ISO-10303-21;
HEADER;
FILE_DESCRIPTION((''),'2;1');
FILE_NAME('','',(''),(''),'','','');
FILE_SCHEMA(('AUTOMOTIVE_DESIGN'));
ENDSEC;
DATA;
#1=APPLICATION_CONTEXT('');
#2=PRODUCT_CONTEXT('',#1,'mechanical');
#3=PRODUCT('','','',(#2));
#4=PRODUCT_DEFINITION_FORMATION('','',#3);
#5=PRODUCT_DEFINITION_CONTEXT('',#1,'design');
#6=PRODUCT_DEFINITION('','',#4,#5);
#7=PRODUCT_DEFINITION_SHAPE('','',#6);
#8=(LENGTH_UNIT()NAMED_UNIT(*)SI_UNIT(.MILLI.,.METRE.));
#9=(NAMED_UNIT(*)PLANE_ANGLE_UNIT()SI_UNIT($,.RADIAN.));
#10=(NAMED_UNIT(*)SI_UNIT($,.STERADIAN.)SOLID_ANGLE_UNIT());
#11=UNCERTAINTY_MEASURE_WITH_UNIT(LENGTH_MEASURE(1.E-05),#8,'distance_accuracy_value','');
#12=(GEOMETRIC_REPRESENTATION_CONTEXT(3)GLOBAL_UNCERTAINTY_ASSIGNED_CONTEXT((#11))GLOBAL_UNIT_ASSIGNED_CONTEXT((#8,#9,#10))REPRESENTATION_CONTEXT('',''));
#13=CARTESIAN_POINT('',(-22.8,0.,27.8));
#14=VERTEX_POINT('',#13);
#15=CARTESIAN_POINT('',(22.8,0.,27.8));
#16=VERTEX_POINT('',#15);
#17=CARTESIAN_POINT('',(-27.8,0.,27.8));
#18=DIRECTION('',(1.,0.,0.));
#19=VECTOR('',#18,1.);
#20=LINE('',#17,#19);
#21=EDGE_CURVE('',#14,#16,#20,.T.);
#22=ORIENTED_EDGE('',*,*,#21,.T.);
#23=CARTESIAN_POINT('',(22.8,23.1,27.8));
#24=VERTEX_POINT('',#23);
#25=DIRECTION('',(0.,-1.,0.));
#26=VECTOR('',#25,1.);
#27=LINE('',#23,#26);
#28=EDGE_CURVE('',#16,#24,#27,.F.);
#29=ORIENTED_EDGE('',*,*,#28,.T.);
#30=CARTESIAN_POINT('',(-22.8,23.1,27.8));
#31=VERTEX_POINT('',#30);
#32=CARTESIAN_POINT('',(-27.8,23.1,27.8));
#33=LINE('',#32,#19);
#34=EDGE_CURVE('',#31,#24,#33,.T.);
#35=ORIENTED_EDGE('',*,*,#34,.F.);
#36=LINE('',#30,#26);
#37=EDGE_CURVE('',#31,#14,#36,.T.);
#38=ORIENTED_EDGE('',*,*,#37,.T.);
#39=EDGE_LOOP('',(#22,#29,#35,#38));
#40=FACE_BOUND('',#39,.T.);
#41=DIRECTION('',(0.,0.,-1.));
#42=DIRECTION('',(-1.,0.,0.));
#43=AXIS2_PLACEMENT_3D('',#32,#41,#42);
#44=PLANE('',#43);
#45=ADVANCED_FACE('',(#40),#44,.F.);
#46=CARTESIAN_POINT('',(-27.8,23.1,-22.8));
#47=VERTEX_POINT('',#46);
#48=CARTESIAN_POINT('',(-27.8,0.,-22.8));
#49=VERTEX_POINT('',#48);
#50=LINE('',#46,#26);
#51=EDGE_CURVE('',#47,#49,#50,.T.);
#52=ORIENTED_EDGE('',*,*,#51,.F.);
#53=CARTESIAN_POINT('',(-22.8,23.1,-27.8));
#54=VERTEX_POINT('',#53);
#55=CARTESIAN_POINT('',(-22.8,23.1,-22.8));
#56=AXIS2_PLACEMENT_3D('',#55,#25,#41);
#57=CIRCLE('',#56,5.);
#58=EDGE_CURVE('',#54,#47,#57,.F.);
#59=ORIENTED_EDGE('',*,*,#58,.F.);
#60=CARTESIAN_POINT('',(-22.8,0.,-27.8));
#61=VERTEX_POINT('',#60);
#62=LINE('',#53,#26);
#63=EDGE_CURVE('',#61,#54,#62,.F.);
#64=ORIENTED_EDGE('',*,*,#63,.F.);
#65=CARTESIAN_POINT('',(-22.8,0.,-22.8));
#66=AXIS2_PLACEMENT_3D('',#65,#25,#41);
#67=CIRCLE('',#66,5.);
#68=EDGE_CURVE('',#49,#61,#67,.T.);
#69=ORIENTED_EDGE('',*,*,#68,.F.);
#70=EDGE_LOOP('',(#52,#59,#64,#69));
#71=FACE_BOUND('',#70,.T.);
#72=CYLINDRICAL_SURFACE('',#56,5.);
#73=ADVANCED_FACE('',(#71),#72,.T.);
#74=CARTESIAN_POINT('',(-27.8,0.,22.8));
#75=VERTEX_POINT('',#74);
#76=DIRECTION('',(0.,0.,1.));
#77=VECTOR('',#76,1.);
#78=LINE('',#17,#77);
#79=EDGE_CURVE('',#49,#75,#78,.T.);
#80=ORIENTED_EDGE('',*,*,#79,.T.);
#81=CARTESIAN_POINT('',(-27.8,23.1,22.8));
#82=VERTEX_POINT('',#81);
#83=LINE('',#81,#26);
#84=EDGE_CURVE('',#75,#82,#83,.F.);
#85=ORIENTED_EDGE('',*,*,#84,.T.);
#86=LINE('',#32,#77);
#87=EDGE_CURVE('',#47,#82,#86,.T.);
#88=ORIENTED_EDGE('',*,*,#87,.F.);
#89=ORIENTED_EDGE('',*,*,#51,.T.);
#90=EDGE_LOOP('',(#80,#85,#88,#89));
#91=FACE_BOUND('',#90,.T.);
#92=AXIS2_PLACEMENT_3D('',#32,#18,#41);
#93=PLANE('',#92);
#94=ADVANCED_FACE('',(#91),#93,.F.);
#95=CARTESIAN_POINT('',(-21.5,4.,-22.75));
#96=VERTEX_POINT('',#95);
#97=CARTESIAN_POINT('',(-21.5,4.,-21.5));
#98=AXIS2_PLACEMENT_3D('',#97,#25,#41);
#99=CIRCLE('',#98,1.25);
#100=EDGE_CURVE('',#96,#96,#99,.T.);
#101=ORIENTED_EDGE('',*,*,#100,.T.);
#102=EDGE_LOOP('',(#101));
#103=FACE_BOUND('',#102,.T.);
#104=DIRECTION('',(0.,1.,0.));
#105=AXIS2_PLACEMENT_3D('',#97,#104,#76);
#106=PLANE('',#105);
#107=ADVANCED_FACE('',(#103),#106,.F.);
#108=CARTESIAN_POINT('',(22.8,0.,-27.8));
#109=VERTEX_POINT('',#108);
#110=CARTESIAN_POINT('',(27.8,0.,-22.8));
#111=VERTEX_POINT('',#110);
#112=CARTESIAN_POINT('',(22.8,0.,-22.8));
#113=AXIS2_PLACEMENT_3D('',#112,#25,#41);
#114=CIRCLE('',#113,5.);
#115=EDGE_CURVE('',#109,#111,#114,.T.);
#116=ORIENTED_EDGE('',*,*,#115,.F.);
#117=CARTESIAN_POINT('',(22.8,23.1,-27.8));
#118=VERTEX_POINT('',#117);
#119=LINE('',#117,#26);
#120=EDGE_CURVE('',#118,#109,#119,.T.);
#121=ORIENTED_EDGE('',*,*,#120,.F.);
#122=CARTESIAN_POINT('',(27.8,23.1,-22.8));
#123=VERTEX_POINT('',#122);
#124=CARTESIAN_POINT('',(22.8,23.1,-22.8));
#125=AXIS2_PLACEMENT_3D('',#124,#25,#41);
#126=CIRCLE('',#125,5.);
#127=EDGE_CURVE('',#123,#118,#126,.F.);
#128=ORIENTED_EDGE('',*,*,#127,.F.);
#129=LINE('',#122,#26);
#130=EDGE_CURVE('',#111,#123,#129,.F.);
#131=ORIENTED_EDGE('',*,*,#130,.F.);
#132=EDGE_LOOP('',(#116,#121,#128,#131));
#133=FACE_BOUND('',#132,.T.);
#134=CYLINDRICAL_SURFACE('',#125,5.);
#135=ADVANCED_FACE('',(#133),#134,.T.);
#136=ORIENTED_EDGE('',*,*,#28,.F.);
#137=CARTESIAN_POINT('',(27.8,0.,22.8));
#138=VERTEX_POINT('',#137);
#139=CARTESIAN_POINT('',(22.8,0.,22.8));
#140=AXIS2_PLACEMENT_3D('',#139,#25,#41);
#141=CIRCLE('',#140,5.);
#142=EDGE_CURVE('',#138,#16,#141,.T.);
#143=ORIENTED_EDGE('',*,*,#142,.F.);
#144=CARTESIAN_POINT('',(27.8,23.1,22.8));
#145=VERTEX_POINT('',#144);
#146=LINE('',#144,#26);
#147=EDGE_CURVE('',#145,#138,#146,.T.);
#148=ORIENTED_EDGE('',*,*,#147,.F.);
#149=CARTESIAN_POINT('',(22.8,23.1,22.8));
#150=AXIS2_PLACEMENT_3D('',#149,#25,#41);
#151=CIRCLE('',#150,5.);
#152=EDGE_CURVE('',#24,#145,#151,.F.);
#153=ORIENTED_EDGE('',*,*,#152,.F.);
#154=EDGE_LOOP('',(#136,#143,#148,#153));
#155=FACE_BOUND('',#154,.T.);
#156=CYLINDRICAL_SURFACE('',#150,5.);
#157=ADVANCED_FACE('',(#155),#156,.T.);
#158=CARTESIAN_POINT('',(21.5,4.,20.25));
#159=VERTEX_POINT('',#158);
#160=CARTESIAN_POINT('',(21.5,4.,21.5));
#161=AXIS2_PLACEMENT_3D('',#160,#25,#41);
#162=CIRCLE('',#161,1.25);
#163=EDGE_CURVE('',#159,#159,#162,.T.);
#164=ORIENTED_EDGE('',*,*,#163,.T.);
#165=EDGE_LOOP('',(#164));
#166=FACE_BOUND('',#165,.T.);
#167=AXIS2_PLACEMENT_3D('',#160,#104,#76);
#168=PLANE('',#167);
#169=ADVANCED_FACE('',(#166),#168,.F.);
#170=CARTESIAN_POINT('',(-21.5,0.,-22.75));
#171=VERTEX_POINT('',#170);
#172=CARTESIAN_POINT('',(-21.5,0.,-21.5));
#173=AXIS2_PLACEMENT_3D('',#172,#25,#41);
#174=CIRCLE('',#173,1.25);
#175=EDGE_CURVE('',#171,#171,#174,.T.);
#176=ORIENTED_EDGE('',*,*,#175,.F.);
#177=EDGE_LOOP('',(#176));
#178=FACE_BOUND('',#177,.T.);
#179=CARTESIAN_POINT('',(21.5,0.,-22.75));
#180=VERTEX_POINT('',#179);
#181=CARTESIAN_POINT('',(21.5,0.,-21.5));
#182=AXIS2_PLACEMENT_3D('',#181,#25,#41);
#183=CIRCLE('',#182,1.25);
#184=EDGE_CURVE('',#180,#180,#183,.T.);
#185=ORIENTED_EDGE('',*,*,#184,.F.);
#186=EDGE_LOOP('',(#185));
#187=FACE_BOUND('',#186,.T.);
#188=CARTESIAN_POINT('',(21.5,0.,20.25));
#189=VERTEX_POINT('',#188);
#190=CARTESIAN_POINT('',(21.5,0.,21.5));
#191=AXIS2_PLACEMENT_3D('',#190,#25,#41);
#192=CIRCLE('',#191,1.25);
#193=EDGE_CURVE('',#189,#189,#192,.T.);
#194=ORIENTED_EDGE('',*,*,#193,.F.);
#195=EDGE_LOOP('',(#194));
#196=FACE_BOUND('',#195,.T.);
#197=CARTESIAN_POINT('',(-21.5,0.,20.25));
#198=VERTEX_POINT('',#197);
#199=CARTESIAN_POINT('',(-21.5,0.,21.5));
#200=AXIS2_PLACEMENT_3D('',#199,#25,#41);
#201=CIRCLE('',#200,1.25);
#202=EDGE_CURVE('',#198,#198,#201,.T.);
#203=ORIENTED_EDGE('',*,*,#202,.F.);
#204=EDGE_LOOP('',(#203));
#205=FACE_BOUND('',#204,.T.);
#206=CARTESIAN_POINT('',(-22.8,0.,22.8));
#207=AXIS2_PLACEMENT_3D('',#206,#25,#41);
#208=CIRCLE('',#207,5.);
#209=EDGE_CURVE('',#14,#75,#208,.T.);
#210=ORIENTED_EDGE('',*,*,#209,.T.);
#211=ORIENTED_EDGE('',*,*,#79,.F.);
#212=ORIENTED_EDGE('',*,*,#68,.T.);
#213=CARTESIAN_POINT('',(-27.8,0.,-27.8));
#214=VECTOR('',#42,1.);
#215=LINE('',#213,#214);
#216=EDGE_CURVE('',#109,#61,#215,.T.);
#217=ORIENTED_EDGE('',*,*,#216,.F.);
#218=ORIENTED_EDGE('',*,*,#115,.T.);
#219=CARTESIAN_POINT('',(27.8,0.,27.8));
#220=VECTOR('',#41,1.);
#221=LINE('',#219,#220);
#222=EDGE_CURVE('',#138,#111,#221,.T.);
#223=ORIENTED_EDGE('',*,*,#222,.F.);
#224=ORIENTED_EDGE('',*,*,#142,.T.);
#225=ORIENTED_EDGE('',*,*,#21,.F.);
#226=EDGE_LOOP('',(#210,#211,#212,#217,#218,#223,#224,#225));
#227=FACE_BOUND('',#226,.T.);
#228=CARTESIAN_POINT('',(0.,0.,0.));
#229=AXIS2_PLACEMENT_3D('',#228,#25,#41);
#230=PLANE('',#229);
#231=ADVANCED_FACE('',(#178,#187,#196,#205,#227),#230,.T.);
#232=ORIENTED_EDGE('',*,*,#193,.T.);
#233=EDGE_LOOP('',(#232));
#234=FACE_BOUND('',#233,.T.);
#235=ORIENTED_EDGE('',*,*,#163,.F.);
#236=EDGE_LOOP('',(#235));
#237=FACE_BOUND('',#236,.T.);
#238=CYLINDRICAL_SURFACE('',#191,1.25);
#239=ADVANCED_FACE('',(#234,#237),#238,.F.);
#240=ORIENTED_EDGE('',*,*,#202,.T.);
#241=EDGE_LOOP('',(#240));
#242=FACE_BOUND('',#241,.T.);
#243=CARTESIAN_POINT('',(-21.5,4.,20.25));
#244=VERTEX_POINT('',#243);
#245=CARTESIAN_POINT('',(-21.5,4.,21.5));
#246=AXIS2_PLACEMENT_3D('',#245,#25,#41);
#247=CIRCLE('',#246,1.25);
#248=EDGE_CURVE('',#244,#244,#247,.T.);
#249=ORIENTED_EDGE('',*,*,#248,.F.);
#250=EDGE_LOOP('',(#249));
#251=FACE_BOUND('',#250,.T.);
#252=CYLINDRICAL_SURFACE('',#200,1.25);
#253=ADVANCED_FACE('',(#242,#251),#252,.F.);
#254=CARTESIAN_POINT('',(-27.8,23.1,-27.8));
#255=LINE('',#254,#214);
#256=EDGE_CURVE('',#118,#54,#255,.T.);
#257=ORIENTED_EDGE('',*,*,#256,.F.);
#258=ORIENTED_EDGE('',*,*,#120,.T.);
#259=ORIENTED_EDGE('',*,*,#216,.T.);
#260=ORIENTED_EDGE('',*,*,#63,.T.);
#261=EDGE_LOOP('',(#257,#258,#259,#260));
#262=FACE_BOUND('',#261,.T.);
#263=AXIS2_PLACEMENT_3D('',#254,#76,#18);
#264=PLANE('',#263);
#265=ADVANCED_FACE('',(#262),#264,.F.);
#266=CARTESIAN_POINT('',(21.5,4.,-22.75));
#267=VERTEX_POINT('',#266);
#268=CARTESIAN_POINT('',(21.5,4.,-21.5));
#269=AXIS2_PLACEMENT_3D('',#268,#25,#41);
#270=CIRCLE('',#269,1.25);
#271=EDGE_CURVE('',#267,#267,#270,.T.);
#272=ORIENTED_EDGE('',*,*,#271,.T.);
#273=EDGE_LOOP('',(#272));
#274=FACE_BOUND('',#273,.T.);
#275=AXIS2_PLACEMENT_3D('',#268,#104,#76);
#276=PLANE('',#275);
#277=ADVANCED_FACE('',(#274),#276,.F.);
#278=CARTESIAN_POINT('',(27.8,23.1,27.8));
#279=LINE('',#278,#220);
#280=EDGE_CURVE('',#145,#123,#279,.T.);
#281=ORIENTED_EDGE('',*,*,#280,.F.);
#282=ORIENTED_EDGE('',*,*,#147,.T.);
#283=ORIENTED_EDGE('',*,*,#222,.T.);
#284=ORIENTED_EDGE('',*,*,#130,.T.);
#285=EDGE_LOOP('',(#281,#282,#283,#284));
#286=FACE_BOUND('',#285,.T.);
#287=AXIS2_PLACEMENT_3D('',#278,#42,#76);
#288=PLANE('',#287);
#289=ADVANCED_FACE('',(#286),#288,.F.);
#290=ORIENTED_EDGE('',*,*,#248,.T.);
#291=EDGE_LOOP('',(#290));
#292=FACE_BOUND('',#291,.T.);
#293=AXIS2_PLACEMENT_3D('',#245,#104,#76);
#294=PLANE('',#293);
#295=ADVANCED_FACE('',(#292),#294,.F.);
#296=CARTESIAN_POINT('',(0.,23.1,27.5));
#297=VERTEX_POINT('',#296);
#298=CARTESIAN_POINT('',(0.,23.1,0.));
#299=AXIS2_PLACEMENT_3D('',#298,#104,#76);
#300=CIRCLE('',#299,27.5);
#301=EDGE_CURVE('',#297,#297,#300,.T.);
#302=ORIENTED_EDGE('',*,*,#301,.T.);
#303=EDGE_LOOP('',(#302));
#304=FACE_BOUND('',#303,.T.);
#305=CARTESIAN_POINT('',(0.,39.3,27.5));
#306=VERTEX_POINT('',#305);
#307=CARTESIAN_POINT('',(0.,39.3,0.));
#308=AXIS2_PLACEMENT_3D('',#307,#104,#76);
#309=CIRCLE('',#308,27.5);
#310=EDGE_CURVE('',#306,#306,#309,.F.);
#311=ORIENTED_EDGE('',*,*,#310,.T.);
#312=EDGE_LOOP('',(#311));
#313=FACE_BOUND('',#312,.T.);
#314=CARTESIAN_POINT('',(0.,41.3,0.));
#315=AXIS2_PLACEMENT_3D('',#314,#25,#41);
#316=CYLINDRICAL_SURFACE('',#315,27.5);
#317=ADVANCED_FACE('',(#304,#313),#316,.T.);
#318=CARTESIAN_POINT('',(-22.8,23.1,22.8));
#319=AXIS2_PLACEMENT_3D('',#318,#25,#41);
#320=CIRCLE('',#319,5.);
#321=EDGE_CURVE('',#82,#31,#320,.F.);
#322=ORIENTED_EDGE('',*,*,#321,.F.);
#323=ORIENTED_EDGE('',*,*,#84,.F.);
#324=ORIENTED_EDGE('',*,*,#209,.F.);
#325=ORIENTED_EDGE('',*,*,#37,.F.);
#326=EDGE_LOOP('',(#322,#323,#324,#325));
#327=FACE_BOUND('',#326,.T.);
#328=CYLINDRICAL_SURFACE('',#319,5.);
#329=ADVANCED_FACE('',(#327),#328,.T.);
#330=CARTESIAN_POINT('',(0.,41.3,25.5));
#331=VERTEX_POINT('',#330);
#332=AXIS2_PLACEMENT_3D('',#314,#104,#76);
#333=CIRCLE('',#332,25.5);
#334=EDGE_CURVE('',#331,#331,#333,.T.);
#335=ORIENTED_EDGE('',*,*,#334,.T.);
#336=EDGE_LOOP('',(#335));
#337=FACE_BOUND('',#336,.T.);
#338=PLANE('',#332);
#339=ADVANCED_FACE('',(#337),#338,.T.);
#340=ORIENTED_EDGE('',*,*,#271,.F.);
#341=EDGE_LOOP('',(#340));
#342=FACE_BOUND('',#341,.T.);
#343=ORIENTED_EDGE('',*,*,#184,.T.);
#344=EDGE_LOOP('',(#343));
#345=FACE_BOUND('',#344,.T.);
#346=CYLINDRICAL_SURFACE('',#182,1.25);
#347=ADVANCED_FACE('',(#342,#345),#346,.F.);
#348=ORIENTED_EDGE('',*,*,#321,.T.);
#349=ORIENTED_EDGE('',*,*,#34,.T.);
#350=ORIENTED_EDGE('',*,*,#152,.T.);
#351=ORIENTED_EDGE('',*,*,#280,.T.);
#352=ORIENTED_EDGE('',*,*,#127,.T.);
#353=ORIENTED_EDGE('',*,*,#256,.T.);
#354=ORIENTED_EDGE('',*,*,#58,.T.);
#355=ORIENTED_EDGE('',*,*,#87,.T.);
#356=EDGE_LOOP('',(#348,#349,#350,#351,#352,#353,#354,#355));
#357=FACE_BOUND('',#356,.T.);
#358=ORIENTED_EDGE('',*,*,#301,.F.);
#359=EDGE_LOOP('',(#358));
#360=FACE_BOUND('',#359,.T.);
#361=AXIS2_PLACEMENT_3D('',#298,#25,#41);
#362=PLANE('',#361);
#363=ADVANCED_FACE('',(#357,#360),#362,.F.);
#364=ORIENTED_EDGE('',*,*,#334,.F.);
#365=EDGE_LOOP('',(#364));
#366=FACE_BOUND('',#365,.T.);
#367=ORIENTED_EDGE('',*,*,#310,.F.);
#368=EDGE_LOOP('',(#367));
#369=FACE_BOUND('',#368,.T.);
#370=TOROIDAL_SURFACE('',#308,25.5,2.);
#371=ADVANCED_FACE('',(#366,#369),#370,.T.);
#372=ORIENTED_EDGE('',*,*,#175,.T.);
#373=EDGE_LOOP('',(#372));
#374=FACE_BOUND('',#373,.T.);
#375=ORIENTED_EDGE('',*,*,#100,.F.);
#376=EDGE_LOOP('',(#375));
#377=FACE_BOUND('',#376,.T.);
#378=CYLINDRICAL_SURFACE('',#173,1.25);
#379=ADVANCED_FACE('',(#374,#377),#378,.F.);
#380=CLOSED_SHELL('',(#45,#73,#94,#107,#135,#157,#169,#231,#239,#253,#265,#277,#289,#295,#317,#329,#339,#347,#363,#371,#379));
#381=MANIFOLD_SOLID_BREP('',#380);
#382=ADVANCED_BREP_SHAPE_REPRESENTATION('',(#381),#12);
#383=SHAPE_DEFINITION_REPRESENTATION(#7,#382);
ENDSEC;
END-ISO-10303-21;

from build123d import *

# Parameters (mm, degrees)
SKETCH_2_W          = 55.6
SKETCH_2_H          = 55.6
EXTRUDE_1_DEPTH     = 23.1
SKETCH_3_R          = 27.5
EXTRUDE_2_DEPTH     = 18.2
HOLE_WIZARD_1_D     = 2.5
HOLE_WIZARD_1_DEPTH = 4
FILLET_1_R          = 5
FILLET_2_R          = 2


with BuildPart() as part:
    # 草图2 → 凸台-拉伸1 (new body)
    with BuildSketch(Plane(origin=(0, 0, 0), x_dir=(1, 0, 0), z_dir=(0, 1, 0))):
        Rectangle(SKETCH_2_W, SKETCH_2_H)
    extrude(amount=EXTRUDE_1_DEPTH)

    # 草图3 → 凸台-拉伸2 (add)
    with BuildSketch(Plane(origin=(0, 23.1, 0), x_dir=(1, 0, 0), z_dir=(0, 1, 0))):
        with Locations(Location((0, 0, 0), (0, 0, 270))):
            Circle(SKETCH_3_R)
    extrude(amount=EXTRUDE_2_DEPTH)

    # 孔1
    with Locations(Plane(origin=(0, 0, 0), x_dir=(-1, 0, 0), z_dir=(0, -1, 0))):
        with Locations((-21.5, 21.5), (21.5, 21.5), (21.5, -21.5), (-21.5, -21.5)):
            Hole(HOLE_WIZARD_1_D / 2, depth=HOLE_WIZARD_1_DEPTH)

    # 圆角1
    fillet_1_edges = [part.edges().sort_by_distance(p)[0] for p in [
        (27.8, 11.55, 27.8),
        (-27.8, 11.55, 27.8),
        (-27.8, 11.55, -27.8),
        (27.8, 11.55, -27.8),
    ]]
    fillet(fillet_1_edges, radius=FILLET_1_R)

    # 圆角2
    fillet_2_edges = [part.edges().sort_by_distance(p)[0] for p in [
        (0, 41.3, -27.5),
    ]]
    fillet(fillet_2_edges, radius=FILLET_2_R)


solid = part.part
